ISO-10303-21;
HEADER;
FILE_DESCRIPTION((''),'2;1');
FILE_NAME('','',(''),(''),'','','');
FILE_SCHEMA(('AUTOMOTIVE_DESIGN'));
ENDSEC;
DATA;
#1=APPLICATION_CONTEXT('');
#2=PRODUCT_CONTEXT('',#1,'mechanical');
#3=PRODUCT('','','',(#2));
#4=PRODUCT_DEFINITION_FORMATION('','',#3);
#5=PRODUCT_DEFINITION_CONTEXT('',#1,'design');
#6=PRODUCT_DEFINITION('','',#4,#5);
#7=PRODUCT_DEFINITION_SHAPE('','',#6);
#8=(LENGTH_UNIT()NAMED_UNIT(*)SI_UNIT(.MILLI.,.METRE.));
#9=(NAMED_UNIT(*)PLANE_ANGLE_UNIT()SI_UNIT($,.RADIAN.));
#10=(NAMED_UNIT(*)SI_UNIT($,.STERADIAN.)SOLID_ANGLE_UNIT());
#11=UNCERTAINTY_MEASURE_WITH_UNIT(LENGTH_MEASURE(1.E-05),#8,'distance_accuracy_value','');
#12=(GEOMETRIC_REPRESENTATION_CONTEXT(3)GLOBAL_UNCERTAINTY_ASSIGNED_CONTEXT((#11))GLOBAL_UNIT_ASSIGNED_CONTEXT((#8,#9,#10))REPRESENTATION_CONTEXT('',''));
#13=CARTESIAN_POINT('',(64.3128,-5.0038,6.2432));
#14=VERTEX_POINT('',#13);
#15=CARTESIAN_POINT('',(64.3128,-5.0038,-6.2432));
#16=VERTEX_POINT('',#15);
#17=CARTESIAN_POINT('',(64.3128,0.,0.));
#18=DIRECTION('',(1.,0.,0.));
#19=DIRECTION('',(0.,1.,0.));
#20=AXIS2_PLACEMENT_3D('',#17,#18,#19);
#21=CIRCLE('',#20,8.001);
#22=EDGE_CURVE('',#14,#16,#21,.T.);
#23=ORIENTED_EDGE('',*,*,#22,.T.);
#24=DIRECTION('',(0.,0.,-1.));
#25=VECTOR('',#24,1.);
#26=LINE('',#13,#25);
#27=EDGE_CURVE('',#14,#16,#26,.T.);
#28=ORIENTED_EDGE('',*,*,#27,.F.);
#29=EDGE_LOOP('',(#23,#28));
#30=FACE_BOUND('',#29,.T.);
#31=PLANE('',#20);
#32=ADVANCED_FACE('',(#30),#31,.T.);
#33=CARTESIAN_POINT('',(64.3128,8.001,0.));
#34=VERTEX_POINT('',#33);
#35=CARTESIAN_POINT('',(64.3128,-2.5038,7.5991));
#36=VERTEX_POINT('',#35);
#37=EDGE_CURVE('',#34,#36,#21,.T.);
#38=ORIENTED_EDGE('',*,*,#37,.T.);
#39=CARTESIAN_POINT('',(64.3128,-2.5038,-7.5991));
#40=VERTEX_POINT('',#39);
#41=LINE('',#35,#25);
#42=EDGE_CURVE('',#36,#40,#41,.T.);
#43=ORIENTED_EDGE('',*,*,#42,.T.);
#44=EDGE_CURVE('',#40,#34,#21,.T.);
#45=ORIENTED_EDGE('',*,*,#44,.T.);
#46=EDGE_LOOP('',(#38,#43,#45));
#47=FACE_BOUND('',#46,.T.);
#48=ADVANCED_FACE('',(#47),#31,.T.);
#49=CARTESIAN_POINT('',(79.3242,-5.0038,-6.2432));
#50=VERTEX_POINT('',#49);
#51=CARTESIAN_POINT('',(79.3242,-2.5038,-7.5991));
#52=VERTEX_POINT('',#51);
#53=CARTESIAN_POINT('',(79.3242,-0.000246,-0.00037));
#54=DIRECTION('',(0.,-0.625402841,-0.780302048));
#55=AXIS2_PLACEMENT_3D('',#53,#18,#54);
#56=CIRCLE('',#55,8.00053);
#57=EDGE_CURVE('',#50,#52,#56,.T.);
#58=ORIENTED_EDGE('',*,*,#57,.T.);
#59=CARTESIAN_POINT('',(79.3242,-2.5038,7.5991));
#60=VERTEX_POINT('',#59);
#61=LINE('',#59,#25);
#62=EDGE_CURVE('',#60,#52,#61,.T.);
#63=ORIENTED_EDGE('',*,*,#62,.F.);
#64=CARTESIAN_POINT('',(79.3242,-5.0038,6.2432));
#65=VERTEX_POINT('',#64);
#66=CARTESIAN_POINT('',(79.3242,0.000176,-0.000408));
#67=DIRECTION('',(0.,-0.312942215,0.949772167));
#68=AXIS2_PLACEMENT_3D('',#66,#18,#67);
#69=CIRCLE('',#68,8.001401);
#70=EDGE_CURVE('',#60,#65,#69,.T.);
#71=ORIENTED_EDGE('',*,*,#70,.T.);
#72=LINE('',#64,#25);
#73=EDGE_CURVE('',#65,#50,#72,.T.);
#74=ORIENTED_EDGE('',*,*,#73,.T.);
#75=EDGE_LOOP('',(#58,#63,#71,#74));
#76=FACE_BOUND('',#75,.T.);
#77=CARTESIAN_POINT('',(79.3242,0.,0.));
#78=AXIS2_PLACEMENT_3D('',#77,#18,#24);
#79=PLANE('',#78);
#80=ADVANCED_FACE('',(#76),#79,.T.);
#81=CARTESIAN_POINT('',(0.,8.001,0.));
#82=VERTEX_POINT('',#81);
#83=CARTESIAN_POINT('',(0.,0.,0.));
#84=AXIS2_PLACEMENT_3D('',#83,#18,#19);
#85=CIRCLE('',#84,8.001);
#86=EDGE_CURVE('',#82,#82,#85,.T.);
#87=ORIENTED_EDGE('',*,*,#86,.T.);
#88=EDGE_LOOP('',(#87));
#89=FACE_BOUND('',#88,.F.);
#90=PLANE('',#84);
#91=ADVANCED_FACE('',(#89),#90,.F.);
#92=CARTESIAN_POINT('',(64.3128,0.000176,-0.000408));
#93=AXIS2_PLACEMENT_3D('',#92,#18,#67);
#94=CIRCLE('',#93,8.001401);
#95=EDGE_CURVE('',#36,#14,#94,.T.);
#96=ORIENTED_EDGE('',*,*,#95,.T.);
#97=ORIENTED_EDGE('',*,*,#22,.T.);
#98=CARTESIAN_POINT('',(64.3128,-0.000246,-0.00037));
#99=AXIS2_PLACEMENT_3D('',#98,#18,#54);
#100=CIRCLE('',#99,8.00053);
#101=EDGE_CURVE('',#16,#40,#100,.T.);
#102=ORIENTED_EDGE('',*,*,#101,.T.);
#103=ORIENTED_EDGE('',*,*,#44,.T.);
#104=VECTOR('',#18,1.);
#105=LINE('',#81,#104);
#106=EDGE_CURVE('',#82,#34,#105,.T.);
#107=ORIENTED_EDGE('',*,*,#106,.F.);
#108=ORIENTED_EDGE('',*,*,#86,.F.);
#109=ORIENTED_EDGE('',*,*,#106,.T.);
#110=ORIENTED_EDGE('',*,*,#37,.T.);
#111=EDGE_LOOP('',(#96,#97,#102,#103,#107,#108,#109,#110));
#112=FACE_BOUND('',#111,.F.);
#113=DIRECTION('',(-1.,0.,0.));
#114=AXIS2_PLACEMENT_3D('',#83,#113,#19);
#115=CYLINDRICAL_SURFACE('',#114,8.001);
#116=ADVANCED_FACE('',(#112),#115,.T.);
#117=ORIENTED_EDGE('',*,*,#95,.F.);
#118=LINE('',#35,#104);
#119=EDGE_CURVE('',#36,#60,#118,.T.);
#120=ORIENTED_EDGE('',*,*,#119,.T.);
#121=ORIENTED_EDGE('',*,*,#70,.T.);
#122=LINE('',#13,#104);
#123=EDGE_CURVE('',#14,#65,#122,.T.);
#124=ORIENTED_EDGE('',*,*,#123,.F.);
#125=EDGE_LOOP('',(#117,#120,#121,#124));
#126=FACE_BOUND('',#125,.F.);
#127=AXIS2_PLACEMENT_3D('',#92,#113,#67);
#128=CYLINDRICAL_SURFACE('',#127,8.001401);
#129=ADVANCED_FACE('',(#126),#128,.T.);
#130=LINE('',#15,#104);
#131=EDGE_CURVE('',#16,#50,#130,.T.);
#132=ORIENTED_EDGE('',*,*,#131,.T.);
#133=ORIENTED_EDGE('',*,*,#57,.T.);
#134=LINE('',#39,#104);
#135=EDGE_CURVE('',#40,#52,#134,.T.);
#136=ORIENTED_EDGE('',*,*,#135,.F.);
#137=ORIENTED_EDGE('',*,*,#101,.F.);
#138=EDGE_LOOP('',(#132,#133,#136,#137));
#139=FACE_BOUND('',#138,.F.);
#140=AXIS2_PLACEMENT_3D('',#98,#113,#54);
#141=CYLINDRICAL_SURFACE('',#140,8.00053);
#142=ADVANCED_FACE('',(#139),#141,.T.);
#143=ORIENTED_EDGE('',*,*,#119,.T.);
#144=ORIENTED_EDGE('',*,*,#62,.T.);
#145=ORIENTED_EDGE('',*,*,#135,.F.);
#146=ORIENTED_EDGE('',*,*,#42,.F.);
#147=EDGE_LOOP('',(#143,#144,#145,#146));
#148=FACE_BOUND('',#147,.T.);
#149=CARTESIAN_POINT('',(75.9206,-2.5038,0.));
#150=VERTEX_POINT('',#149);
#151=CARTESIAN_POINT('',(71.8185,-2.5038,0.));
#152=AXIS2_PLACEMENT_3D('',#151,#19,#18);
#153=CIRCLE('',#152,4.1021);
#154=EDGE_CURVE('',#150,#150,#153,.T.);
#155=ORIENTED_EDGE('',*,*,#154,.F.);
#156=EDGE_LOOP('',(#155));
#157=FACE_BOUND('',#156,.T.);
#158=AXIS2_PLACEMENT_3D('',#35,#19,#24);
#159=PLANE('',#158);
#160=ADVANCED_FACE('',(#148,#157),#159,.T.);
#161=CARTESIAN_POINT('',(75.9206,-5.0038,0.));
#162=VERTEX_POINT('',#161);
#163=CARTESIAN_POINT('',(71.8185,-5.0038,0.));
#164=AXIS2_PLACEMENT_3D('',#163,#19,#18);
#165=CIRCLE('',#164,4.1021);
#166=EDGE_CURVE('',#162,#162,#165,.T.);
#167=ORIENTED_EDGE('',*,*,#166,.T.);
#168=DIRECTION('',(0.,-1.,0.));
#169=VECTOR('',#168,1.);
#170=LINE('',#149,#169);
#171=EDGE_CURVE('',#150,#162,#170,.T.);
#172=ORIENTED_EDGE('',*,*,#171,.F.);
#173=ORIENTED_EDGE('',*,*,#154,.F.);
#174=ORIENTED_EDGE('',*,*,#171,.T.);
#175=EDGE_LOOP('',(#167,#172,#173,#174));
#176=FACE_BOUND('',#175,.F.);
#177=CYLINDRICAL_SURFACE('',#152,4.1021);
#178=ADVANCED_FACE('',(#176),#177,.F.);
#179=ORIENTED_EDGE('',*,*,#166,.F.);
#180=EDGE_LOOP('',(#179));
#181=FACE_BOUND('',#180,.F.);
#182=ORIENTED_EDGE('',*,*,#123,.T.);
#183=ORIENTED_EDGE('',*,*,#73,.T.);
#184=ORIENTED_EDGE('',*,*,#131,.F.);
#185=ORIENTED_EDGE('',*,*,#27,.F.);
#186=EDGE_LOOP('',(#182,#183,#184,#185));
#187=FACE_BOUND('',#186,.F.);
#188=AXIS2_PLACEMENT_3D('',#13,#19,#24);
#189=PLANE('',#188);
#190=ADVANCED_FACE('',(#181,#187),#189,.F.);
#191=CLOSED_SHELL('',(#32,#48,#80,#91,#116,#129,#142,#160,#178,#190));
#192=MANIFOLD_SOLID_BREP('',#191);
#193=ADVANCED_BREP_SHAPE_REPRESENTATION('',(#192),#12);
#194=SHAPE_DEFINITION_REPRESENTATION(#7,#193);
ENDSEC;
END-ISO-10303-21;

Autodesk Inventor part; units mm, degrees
ref_plane "YZ Plane" through (0, 0, 0) normal (1, 0, 0) x (0, 1, 0)
ref_plane "XZ Plane" through (0, 0, 0) normal (0, 1, 0) x (-1, 0, 0)
ref_plane "XY Plane" through (0, 0, 0) normal (0, 0, 1) x (1, 0, 0)
sketch "Sketch1" plane through (0, 0, 0) normal (1, 0, 0) x (0, 1, 0)
  circle A0 centre (0, 0) radius 8.001
  dimension "d0" = 16.002
extrude "Extrusion1" add sketch "Sketch1" along normal blind 64.3128
sketch "Sketch2" plane through (64.3128, 0, 0) normal (1, 0, 0) x (0, 0, -1)
  line L0 (-6.2432, -5.0038) -> (6.2432, -5.0038)
  line L1 (-7.5991, -2.5038) -> (7.5991, -2.5038)
  arc A0 (6.2432, -5.0038) -> (7.5991, -2.5038) centre (0, 0) ccw
  arc A1 (-7.5991, -2.5038) -> (-6.2432, -5.0038) centre (0, 0) ccw
  circle A2 centre (0, 0) radius 8.001 projected
  point P0 (7.0332, -3.8145)
  point P1 (-7.0332, -3.8145)
  dimension "d3" = 5.0038
  dimension "d4" = 2.5
extrude "Extrusion2" add sketch "Sketch2" along normal blind 15.0114 contours A1 L1 A0 L0
sketch "Sketch3" plane through (64.3128, -2.5038, 7.5991) normal (0, 1, 0) x (1, 0, 0)
  circle A0 centre (7.5057, 7.5991) radius 4.1021
  line L0 (0, 15.1983) -> (15.0114, 15.1983) projected
  line L1 (0, 0) -> (15.0114, 0) projected
  point P0 (-64.3128, 7.5991)
  point P1 (7.5057, 15.1983)
  dimension "d8" = 8.2042
  dimension "d9" = 7.5991
  dimension "d10" = 15.1983
extrude "Extrusion3" cut sketch "Sketch3" against normal blind 15.0114
equation "\"d9\" = 0.5 * d10"
properties part number "Ring Connector model 2"
